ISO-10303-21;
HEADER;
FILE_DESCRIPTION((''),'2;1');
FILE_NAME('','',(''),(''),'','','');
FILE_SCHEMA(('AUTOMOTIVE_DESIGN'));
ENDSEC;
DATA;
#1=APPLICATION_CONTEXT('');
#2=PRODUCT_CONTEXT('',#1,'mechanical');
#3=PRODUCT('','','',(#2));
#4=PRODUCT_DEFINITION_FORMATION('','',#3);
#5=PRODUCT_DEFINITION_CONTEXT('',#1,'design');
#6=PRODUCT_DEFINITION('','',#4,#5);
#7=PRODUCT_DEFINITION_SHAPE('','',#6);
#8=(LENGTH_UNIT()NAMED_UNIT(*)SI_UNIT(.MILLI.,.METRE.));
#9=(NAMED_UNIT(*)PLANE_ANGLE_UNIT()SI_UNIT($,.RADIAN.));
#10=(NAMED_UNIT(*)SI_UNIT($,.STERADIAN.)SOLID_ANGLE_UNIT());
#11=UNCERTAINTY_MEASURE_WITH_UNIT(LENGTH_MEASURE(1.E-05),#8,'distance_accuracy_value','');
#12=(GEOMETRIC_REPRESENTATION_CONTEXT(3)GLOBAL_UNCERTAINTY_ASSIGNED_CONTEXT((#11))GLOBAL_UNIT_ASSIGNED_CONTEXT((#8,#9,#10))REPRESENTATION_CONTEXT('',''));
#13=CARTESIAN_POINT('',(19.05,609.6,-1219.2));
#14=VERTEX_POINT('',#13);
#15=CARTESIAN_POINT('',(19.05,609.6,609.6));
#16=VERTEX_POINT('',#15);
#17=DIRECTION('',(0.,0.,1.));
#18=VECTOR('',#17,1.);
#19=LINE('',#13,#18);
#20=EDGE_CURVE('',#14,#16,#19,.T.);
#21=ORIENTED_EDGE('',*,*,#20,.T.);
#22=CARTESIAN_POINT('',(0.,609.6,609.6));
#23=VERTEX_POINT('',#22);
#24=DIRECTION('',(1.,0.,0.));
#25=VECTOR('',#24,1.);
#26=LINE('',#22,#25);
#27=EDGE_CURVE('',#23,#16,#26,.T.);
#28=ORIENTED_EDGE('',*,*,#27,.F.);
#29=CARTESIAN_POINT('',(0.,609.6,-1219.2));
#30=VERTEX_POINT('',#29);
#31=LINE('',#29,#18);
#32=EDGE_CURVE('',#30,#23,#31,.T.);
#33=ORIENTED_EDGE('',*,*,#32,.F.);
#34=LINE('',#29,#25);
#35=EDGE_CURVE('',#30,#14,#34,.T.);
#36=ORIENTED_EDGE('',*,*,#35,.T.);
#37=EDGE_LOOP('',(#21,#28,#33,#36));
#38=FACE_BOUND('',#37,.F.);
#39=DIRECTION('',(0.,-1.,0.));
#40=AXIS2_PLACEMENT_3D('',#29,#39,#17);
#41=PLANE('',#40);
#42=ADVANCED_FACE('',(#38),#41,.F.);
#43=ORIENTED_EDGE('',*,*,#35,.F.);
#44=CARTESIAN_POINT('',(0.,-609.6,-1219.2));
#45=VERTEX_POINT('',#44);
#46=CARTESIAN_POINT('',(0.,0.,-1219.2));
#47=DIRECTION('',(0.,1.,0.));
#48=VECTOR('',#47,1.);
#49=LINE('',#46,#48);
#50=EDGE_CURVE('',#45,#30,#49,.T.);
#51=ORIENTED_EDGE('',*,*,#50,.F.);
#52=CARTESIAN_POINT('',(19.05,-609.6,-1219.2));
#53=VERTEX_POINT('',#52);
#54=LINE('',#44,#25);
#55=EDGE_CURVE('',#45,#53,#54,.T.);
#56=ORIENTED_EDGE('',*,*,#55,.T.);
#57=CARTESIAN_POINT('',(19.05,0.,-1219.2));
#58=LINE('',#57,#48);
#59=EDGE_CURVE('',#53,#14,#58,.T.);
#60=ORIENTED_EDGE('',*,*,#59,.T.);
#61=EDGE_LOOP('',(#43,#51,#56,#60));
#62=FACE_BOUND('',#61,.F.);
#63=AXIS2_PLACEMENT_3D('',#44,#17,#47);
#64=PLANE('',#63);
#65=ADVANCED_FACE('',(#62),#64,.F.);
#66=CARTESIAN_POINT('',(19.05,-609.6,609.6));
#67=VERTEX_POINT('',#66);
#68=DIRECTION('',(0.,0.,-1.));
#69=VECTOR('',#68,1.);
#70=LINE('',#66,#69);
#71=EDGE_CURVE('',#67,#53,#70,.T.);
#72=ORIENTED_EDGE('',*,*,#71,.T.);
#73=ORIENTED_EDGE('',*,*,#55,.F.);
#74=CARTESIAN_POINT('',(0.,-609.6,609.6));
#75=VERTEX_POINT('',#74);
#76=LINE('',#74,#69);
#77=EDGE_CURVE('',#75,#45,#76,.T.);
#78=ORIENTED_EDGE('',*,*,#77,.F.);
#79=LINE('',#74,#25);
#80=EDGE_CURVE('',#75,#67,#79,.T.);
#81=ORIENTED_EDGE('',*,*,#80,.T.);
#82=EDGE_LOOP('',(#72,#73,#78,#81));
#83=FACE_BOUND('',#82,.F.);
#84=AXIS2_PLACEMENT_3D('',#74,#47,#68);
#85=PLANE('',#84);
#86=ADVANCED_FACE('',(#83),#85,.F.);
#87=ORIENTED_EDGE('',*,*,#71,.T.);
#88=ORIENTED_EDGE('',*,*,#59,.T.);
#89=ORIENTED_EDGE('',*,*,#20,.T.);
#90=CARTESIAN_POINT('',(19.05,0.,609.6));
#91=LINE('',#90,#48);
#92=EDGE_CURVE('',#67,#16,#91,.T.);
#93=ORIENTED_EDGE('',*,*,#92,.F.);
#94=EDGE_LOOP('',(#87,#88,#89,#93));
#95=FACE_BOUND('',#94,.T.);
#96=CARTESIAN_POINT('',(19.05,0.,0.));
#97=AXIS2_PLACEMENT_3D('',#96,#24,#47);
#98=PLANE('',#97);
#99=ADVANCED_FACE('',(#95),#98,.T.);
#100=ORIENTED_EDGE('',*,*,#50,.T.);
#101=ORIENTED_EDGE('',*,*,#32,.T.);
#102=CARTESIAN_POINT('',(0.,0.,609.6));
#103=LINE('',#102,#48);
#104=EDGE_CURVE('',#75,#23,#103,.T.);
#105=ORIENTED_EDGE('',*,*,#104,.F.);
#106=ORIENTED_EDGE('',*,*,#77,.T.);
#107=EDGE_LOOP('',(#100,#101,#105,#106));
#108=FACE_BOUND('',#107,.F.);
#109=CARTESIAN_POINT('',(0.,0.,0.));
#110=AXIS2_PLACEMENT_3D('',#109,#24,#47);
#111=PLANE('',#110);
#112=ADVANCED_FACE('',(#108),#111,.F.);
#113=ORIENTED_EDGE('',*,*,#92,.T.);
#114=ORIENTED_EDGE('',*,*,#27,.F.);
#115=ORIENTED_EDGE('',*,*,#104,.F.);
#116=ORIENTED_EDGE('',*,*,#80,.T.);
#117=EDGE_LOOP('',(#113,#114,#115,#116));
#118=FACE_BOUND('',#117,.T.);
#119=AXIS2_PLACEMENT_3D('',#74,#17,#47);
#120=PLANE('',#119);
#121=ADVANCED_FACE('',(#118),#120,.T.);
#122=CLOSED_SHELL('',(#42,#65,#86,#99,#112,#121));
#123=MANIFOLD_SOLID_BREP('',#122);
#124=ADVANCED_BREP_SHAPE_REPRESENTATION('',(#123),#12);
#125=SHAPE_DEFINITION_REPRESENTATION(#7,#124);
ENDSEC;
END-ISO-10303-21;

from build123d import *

# Parameters (mm, degrees)
F0_W     = 1219.2
F0_H     = 1219.2
F0_H_2   = 609.6
F1_DEPTH = 19.05


with BuildPart() as f1:
    # F0 (on Right) → F1 (new body)
    with BuildSketch(Plane.YZ):
        Rectangle(F0_W, F0_H)
        with Locations((0, -914.4)):
            Rectangle(F0_W, F0_H_2)
    extrude(amount=F1_DEPTH)


solid = f1.part
